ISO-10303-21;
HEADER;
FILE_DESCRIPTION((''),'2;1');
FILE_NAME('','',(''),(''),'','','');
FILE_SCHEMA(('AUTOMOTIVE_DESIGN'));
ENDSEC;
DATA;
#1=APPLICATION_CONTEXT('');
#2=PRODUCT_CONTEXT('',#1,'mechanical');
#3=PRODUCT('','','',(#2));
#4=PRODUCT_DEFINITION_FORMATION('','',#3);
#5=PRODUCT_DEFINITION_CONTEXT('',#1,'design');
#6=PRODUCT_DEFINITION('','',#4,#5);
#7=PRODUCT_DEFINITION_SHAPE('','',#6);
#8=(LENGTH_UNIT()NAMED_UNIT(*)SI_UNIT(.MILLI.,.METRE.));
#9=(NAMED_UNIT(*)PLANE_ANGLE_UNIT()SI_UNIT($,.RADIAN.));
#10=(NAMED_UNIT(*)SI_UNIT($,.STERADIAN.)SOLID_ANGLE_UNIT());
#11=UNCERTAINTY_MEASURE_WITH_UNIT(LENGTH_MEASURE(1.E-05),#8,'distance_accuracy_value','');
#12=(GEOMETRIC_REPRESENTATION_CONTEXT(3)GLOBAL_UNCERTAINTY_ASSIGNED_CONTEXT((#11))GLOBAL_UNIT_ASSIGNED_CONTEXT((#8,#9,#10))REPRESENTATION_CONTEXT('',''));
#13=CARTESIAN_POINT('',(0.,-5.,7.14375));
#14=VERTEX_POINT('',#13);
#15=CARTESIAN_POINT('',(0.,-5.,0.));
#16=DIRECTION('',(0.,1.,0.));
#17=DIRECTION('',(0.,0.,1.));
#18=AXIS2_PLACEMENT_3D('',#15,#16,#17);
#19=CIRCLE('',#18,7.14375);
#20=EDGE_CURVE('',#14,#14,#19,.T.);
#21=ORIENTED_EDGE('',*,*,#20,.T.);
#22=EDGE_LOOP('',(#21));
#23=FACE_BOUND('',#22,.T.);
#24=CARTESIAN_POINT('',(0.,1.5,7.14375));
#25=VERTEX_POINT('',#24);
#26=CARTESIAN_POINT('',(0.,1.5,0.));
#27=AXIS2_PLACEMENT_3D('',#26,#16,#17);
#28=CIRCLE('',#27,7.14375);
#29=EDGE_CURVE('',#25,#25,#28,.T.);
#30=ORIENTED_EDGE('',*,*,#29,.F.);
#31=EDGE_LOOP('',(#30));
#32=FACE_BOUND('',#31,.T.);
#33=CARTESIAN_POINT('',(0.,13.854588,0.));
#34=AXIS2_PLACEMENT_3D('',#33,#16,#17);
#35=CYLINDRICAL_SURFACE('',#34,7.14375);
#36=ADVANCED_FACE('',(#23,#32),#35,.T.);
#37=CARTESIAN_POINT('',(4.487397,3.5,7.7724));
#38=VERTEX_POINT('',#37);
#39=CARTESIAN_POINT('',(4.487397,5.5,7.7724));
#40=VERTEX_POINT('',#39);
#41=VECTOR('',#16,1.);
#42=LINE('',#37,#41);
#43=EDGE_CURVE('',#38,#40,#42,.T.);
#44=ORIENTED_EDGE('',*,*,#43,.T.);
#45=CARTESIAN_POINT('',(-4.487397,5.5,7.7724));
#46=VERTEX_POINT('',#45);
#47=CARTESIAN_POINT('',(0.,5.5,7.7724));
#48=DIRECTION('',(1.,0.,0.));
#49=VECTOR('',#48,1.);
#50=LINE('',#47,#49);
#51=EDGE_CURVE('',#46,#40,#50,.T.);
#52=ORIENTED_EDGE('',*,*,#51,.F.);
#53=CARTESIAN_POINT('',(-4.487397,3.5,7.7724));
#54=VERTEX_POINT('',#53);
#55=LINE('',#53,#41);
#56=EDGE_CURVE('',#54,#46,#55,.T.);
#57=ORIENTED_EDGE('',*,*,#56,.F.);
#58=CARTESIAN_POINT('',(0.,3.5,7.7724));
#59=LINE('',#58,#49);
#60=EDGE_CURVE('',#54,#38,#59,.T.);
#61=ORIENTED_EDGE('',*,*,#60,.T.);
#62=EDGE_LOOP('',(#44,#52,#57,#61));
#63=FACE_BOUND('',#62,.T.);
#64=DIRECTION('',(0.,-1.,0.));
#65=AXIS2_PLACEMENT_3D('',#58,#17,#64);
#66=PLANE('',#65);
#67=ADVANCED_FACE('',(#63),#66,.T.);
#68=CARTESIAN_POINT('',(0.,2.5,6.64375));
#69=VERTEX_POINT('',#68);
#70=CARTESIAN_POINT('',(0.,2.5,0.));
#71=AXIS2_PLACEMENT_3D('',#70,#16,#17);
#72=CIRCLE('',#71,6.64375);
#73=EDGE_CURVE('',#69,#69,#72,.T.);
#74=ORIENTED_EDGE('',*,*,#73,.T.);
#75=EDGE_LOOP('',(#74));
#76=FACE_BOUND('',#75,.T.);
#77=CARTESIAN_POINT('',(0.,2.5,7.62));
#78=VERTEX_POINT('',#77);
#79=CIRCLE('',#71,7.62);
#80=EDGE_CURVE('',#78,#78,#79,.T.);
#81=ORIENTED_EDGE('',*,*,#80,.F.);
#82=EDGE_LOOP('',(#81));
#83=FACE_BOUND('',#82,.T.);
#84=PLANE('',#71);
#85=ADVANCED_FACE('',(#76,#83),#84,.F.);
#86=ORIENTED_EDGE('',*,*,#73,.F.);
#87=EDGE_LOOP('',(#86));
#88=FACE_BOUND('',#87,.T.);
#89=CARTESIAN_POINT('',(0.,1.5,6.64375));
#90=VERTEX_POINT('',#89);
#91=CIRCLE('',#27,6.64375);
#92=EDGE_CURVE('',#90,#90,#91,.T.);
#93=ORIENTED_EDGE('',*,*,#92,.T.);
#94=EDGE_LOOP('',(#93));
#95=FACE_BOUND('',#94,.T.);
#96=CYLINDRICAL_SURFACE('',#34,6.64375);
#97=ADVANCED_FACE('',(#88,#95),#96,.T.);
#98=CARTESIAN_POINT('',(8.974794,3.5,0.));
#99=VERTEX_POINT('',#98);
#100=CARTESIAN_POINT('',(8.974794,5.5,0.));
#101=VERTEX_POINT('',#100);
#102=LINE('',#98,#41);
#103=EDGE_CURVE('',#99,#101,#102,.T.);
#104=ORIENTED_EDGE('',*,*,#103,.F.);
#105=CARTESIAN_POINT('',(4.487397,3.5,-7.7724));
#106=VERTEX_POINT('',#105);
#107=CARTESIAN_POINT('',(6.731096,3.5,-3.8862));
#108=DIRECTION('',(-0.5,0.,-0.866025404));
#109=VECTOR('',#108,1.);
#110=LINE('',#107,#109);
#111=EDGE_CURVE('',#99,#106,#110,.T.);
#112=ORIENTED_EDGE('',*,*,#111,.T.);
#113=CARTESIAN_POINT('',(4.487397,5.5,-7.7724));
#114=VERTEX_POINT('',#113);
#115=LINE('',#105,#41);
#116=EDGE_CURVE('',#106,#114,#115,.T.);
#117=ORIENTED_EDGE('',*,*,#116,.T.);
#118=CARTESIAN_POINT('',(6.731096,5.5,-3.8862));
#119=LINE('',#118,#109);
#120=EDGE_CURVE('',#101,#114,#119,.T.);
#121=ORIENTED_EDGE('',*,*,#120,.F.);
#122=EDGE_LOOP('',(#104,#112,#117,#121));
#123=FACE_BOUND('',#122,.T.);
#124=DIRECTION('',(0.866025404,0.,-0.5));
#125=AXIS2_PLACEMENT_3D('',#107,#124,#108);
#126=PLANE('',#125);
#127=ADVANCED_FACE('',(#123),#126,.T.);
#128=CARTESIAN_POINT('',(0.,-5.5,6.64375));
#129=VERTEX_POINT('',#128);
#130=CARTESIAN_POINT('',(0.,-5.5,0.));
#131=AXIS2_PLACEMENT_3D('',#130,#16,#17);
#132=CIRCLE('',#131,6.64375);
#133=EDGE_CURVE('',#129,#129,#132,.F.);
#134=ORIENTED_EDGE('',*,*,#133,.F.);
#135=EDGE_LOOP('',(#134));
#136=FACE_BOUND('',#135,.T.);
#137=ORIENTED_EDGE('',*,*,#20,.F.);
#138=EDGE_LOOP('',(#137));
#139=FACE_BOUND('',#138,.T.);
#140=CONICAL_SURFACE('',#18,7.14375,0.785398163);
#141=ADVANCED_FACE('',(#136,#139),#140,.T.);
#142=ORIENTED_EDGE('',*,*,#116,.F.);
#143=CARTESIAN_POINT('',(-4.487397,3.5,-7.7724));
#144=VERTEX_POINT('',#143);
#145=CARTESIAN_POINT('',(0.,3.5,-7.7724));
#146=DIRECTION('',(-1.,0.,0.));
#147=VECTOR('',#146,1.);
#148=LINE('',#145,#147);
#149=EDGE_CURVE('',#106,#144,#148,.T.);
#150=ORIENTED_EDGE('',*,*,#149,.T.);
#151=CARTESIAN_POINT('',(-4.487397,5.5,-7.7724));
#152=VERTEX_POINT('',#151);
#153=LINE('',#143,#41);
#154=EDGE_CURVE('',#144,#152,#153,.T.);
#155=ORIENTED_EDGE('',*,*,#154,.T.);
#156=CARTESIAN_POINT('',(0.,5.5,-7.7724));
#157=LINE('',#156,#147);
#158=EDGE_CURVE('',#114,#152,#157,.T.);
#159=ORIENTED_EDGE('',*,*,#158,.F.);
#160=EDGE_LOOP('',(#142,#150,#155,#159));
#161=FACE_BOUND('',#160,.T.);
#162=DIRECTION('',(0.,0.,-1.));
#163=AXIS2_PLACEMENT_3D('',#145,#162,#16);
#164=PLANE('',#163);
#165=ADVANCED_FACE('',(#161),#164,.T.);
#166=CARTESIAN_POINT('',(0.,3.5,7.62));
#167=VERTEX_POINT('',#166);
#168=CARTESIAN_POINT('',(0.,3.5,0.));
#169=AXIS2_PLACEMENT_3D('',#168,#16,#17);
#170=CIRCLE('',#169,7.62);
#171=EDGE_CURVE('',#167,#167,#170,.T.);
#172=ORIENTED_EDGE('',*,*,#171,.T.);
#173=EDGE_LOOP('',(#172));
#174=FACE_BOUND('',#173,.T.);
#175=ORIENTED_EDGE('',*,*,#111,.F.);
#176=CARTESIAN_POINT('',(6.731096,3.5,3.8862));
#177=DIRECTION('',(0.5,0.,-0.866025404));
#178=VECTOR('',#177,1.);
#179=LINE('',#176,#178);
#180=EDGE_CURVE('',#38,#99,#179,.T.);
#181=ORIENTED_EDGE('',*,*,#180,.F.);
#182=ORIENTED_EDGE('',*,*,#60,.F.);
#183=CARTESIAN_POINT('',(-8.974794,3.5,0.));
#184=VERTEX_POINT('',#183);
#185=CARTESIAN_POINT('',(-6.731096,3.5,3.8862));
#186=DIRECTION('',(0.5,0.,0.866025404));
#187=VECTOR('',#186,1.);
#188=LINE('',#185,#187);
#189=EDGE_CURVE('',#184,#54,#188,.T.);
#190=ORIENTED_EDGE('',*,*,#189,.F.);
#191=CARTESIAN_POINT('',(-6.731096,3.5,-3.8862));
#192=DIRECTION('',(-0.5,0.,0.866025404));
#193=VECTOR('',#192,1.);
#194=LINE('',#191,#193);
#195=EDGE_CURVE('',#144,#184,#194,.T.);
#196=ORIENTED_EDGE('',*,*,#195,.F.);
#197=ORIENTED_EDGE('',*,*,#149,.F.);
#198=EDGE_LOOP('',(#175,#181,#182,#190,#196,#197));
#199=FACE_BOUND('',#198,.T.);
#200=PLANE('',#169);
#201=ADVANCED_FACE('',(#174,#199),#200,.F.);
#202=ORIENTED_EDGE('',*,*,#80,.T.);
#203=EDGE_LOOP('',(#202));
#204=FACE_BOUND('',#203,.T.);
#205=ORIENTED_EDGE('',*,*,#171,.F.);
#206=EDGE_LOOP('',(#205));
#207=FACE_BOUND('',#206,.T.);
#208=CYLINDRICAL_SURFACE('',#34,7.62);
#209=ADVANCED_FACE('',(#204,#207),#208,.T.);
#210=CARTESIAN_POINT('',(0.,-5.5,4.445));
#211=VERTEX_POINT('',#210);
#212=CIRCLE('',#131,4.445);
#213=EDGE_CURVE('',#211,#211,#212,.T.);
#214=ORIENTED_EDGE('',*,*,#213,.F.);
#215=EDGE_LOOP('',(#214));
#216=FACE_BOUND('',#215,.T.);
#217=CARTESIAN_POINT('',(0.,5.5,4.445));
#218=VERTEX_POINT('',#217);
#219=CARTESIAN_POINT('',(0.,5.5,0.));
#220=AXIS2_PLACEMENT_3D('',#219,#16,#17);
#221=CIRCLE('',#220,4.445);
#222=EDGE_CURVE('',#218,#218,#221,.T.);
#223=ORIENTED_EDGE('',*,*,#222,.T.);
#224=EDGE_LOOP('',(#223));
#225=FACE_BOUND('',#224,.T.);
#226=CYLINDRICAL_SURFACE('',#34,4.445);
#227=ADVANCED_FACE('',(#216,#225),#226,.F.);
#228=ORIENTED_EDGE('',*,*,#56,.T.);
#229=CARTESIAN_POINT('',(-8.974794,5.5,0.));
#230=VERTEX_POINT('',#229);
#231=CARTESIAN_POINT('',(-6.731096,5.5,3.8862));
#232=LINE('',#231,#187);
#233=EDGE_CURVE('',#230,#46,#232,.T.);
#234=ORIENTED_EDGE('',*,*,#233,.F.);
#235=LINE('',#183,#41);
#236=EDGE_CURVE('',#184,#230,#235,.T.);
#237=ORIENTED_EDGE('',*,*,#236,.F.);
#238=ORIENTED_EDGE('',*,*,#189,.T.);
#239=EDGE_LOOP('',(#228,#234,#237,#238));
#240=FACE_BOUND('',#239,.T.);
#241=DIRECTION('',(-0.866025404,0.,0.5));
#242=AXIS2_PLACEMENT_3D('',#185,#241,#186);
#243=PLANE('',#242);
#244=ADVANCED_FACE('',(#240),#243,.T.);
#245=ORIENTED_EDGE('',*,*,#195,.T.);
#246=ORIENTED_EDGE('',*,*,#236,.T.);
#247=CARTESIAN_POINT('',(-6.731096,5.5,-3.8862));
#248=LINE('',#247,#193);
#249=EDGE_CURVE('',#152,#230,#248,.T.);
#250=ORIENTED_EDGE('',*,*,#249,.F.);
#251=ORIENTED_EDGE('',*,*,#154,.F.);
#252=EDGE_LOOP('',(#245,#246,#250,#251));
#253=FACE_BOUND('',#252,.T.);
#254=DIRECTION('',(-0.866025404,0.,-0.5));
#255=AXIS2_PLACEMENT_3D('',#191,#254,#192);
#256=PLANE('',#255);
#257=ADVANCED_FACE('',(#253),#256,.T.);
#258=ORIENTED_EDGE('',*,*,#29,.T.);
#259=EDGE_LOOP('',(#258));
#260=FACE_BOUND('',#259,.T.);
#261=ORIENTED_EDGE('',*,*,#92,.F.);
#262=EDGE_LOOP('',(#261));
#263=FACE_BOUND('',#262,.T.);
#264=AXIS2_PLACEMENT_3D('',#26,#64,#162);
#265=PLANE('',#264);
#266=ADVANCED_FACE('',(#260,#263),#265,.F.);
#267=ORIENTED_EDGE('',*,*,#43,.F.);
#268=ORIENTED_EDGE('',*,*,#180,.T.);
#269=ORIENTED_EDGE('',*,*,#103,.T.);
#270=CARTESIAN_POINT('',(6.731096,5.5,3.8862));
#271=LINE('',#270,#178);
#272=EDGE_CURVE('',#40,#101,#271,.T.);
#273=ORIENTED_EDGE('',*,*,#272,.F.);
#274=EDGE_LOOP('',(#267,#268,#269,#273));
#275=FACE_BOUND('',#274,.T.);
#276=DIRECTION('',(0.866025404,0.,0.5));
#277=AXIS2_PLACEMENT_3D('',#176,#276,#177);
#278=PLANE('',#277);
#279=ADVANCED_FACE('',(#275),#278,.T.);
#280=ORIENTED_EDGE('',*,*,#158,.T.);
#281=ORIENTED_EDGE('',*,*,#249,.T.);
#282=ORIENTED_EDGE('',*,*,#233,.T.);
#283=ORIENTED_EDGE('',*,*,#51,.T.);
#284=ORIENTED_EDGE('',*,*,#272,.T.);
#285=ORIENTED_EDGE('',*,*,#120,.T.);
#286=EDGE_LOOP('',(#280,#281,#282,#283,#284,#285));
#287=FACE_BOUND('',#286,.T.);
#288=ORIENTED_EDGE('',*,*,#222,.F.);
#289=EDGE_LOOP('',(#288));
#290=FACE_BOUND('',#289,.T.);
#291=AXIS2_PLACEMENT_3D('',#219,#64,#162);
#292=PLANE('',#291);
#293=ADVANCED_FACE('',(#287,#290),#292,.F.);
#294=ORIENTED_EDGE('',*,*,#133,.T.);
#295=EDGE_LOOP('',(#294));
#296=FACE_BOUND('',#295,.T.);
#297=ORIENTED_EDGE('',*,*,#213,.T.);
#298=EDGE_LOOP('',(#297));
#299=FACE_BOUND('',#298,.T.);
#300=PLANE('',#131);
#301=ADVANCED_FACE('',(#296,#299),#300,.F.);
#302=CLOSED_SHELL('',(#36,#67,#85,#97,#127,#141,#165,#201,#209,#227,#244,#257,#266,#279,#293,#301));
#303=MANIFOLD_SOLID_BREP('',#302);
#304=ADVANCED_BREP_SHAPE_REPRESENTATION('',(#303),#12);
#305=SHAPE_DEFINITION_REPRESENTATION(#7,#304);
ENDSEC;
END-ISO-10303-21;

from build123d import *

# Parameters (mm, degrees)
SKETCH2_R           = 7.62
SKETCH2_R_2         = 4.445
BOSS_EXTRUDE1_DEPTH = 2
CHAMFER1_SIZE       = 0.5


with BuildPart() as part:
    # Sketch1 → Revolve1 (revolve)
    with BuildSketch(Plane(origin=(0, 0, 0), x_dir=(0, 0, -1), z_dir=(1, 0, 0)), mode=Mode.PRIVATE) as revolve1_sk:
        Polygon((7.62, 2.5), (7.62, 5.5), (4.445, 5.5), (4.445, -5.5), (7.14375, -5.5), (7.14375, 1.5), (6.64375, 1.5), (6.64375, 2.5), align=None)
    revolve(revolve1_sk.sketch.rotate(Axis((0, 13.854588054, 0), (0, -1, 0)), 180), axis=Axis((0, 13.854588054, 0), (0, -1, 0)))  # turned: the seam where the file's is

    # Sketch2 → Boss-Extrude1 (add)
    with BuildSketch(Plane(origin=(0, 5.5, 0), x_dir=(1, 0, 0), z_dir=(0, 1, 0))):
        Polygon((4.487397232, 7.7724), (-4.487397232, 7.7724), (-8.974794464, 0), (-4.487397232, -7.7724), (4.487397232, -7.7724), (8.974794464, 0), align=None)
        with Locations(Location((0, 0, 0), (0, 0, 270))):  # turned: the seam where the file's is
            Circle(SKETCH2_R, mode=Mode.SUBTRACT)
        with Locations(Location((0, 0, 0), (0, 0, 270))):  # turned: the seam where the file's is
            Circle(SKETCH2_R)
        with Locations(Location((0, 0, 0), (0, 0, 270))):  # turned: the seam where the file's is
            Circle(SKETCH2_R_2, mode=Mode.SUBTRACT)
    extrude(amount=-BOSS_EXTRUDE1_DEPTH)

    # Chamfer1
    chamfer1_edges = [part.edges().sort_by_distance(p)[0] for p in [
        (0, -5.5, -7.14375),
    ]]
    chamfer(chamfer1_edges, length=CHAMFER1_SIZE)


solid = part.part
